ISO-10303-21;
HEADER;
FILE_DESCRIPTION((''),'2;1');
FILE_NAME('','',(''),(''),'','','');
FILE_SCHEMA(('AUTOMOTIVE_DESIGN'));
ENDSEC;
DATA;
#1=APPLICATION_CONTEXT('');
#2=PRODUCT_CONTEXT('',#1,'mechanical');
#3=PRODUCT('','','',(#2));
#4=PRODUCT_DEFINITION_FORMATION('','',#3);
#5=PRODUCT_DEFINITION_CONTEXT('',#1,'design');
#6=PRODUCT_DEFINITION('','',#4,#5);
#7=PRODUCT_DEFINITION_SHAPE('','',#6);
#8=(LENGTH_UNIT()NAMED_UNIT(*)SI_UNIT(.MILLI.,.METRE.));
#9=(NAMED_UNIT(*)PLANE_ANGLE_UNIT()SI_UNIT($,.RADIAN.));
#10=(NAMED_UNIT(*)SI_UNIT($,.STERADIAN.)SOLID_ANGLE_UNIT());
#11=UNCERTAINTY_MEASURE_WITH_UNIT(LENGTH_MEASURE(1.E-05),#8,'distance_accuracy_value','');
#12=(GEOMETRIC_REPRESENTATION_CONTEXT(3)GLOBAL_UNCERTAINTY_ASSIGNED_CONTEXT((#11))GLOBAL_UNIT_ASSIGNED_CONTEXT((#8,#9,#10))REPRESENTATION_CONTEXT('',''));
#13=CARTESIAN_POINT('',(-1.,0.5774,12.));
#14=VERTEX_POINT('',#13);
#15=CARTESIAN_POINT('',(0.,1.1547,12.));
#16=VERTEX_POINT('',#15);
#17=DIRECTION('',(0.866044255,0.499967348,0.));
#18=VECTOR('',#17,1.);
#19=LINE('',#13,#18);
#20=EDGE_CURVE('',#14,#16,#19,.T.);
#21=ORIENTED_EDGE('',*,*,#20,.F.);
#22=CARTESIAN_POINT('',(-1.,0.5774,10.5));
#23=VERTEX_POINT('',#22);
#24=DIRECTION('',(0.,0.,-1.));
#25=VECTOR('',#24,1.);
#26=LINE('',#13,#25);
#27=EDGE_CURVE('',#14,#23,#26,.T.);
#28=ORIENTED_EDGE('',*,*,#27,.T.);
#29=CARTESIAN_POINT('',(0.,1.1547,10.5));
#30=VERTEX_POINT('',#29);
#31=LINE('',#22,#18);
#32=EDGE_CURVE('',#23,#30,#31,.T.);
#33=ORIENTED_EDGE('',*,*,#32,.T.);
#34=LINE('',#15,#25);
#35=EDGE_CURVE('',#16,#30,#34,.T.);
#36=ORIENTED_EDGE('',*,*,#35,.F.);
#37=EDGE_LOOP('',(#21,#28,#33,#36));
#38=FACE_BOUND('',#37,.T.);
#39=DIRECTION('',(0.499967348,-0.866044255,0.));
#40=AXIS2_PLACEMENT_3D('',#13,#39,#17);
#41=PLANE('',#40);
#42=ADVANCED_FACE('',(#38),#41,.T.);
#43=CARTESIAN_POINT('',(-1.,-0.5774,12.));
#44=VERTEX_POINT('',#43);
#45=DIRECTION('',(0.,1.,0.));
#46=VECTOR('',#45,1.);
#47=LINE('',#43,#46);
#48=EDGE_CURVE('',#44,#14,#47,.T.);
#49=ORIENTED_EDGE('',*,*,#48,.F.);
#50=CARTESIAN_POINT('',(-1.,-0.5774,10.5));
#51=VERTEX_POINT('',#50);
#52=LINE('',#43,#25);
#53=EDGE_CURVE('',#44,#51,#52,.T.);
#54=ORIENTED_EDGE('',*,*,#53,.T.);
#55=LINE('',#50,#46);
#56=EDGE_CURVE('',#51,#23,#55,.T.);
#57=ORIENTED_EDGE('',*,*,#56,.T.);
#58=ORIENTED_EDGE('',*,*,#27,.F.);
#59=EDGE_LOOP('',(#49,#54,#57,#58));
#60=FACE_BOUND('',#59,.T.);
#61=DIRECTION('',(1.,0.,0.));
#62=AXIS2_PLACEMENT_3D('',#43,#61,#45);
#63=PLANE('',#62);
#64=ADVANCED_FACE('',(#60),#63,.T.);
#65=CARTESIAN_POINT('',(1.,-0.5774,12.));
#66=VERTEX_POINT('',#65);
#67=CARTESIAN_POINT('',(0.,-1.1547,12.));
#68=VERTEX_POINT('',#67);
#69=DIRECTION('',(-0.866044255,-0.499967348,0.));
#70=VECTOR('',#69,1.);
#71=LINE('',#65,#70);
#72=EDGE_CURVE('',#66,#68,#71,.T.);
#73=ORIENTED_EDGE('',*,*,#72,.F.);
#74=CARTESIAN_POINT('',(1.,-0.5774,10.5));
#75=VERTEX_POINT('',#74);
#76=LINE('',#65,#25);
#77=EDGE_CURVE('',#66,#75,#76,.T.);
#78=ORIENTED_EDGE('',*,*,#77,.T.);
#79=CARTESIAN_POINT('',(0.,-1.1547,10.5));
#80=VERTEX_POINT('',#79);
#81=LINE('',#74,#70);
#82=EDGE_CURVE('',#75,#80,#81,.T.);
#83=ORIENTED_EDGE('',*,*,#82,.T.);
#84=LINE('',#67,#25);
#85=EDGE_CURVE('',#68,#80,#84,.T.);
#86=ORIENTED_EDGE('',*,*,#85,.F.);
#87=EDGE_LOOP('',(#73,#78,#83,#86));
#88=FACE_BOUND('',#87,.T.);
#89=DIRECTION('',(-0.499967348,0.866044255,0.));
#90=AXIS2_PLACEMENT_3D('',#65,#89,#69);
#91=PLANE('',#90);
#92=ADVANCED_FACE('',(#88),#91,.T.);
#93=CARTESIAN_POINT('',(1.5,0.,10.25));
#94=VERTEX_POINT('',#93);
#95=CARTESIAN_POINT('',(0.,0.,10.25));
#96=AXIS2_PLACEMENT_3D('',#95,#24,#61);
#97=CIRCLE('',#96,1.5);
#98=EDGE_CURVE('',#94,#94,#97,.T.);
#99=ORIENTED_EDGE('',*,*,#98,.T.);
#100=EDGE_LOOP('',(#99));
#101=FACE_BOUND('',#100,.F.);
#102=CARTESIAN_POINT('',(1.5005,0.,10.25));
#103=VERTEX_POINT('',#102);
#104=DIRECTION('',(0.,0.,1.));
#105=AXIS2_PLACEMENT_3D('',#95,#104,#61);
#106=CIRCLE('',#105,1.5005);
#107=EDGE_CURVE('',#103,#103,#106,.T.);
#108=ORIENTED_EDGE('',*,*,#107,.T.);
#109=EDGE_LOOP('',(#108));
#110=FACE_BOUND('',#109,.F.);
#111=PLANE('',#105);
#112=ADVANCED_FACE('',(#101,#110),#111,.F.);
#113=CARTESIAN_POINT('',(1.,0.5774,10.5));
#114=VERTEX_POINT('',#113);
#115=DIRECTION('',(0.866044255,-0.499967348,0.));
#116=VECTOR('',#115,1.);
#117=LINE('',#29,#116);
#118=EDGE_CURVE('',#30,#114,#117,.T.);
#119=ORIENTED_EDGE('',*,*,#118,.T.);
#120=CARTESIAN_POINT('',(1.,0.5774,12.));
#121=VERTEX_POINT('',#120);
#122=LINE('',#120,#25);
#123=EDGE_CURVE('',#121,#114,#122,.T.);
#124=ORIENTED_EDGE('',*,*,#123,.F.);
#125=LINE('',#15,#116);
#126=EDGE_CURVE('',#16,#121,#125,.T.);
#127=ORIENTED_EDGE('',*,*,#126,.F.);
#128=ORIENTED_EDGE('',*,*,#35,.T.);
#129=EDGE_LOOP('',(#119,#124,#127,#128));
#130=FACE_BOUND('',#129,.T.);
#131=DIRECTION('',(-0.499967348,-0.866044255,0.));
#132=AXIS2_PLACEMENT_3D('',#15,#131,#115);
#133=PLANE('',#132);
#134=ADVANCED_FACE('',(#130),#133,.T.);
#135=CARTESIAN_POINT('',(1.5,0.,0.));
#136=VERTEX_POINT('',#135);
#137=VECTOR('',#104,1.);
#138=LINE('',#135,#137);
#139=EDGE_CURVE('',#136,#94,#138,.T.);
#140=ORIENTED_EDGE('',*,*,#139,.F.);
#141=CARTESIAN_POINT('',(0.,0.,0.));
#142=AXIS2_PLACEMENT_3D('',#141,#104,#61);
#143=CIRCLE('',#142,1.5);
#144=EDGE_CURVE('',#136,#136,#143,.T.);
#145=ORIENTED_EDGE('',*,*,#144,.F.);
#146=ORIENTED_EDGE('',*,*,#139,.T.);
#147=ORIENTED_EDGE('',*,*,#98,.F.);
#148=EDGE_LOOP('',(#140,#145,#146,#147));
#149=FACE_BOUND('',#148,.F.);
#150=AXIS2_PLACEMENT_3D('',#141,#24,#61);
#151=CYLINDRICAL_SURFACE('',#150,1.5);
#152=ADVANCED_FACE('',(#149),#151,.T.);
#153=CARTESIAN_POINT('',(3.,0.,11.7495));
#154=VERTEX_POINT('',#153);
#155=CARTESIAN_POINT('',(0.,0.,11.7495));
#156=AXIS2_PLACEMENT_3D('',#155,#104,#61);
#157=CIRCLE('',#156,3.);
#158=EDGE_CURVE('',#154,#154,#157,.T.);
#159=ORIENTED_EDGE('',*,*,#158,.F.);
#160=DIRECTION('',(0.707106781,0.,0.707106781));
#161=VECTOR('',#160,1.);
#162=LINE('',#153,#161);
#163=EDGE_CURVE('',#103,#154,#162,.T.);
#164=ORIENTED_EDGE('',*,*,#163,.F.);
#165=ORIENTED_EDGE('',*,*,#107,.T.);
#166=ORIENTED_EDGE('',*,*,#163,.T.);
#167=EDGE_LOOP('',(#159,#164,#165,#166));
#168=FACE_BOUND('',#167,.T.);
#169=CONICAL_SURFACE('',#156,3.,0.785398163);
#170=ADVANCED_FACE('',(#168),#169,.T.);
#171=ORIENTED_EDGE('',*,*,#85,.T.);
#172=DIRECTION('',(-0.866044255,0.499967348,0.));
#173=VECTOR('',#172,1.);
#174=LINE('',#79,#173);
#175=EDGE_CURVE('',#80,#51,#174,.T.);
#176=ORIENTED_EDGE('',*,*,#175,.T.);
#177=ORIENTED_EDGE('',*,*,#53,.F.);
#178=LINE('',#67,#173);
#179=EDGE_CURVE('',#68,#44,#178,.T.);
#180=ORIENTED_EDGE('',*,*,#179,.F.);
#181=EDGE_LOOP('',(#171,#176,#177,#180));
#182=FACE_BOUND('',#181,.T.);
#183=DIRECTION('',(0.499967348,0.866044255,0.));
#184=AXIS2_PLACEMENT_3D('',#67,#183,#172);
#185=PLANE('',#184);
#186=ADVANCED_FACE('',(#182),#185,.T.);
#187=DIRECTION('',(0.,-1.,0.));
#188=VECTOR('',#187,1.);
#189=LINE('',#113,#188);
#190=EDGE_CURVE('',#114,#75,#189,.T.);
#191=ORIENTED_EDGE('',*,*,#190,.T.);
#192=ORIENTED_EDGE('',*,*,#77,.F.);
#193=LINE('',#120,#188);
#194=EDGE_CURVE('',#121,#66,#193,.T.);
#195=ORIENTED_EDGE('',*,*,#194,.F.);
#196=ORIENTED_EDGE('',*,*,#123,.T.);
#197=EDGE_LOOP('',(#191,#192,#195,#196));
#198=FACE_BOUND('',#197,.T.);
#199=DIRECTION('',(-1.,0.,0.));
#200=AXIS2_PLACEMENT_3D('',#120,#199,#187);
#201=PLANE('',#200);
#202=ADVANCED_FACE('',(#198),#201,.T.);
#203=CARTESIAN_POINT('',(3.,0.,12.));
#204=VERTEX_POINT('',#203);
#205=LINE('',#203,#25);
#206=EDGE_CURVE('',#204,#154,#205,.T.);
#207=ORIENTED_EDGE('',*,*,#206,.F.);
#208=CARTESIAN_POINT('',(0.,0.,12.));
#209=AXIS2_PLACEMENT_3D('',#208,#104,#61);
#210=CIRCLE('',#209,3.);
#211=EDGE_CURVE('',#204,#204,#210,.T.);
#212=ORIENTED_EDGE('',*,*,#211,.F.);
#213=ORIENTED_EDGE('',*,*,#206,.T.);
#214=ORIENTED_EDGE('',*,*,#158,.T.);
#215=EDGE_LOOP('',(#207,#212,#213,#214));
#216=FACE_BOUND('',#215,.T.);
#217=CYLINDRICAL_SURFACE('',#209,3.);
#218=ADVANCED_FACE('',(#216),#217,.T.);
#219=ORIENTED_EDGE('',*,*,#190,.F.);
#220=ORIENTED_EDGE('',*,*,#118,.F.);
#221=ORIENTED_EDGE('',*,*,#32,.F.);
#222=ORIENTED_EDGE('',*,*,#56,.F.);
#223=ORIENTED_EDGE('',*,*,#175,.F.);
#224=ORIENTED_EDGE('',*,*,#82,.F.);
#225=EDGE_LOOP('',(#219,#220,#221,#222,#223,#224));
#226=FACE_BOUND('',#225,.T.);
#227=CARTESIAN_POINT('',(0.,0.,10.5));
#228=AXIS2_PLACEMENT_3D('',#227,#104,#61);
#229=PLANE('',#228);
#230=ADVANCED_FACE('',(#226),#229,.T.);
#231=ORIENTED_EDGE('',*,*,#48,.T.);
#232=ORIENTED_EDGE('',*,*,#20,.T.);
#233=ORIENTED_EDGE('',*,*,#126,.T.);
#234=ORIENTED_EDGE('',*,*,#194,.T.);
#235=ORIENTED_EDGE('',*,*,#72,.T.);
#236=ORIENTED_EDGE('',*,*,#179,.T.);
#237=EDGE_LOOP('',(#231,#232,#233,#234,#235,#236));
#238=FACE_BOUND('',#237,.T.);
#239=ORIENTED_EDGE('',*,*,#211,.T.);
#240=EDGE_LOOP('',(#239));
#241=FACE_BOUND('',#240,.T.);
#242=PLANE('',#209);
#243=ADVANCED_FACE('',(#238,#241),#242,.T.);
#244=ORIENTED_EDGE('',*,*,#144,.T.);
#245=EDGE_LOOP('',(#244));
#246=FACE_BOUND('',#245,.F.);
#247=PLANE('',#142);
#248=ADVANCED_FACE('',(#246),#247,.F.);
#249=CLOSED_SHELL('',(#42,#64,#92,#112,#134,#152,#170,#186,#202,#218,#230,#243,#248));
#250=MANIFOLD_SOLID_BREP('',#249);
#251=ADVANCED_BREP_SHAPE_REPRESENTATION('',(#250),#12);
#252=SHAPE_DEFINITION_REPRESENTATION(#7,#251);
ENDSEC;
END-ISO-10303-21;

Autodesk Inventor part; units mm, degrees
ref_plane "YZ Plane" through (0, 0, 0) normal (1, 0, 0) x (0, 1, 0)
ref_plane "XZ Plane" through (0, 0, 0) normal (0, 1, 0) x (-1, 0, 0)
ref_plane "XY Plane" through (0, 0, 0) normal (0, 0, 1) x (1, 0, 0)
sketch "スケッチ1" plane through (0, 0, 0) normal (0, 0, 1) x (1, 0, 0)
  circle A0 centre (0, 0) radius 1.5
  dimension "d0" = 3
extrude "押し出し1" add sketch "スケッチ1" along normal blind 12
thread "ねじ1" size "M3x0.5" class "6g" standard "ANSI Metric M Profile" full length
sketch "スケッチ2" plane through (0, 0, 12) normal (0, 0, 1) x (1, 0, 0)
  circle A0 centre (0, 0) radius 3
  dimension "d5" = 6
extrude "押し出し2" add sketch "スケッチ2" against normal blind 1.75
chamfer "面取り1" distance 1.5 angle 45 1 edges at (-3, 0, 10.25)
sketch "スケッチ3" plane through (0, 0, 12) normal (0, 0, 1) x (1, 0, 0)
  line L0 (0, 1.1547) -> (1, 0.5774)
  line L1 (1, 0.5774) -> (1, -0.5774)
  line L2 (1, -0.5774) -> (0, -1.1547)
  line L3 (0, -1.1547) -> (-1, -0.5774)
  line L4 (-1, -0.5774) -> (-1, 0.5774)
  line L5 (-1, 0.5774) -> (0, 1.1547)
  point P0 (0, 0)
  point P1 (0, 0)
  dimension "d11" = 2
extrude "押し出し3" cut sketch "スケッチ3" against normal blind 1.5
properties part number "m3皿ネジ12" material "鉄 灰色"
